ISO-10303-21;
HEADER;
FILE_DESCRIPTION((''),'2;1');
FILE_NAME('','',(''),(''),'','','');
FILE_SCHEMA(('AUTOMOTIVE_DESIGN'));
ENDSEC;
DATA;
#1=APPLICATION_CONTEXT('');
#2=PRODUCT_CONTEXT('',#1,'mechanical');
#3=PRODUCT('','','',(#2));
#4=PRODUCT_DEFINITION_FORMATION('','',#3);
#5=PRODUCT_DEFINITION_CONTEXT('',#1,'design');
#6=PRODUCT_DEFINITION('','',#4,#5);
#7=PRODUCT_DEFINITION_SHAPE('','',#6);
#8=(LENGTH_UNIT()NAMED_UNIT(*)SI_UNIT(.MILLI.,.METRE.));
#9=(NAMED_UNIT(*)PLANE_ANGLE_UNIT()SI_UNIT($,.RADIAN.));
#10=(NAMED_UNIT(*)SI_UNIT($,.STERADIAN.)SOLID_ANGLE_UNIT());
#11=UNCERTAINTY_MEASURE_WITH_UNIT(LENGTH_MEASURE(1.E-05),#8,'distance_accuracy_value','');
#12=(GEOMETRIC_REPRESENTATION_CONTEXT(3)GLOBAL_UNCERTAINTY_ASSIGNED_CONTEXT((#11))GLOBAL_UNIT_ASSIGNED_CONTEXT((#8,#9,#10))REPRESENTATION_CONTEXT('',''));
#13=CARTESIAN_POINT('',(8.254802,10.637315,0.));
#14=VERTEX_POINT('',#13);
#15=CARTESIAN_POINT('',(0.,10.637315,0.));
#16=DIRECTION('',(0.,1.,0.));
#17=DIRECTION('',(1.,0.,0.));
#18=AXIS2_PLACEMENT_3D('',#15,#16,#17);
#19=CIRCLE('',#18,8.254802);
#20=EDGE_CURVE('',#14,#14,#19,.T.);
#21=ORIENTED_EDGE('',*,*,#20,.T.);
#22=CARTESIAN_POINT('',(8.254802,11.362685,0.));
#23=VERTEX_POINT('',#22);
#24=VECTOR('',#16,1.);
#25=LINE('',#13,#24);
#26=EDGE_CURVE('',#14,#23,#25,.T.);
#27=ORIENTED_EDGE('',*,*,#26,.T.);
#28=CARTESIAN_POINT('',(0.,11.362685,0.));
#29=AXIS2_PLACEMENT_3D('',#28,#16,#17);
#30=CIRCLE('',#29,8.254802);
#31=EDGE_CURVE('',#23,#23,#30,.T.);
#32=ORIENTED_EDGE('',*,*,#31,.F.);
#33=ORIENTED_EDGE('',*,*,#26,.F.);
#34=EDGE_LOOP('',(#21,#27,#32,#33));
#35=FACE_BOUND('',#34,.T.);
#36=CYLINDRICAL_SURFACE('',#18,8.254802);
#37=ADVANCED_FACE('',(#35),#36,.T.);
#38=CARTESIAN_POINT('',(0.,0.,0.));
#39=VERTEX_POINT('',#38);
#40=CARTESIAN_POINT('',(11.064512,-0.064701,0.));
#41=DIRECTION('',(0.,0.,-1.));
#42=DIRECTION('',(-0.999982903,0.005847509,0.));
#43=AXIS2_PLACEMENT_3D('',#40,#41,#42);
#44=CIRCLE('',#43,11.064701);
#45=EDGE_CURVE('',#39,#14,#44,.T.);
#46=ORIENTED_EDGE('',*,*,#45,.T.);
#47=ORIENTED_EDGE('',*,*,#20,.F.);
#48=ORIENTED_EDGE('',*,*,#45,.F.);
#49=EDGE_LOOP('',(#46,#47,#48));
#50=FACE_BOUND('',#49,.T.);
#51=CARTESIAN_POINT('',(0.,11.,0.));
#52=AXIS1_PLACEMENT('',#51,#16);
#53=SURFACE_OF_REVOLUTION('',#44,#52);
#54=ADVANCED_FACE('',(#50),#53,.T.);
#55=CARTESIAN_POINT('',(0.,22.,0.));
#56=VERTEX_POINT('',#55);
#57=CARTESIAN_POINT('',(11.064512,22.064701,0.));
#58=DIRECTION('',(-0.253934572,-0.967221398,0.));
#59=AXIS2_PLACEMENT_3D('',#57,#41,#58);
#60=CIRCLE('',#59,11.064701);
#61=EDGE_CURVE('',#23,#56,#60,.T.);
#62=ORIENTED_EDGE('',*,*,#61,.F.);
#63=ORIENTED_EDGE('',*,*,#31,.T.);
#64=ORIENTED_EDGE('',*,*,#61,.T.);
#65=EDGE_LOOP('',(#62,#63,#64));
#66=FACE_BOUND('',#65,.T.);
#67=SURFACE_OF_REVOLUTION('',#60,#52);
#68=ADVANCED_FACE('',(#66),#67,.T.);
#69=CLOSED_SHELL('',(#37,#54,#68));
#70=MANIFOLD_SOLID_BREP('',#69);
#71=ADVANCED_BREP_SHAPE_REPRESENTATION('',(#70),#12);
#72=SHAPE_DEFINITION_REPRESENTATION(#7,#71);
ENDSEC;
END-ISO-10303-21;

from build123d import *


with BuildPart() as f1:
    # F0 (on Top) → F1 (revolve)
    with BuildSketch(Plane.XY):
        with BuildLine():
            Line((0, 22), (0, 11))
            Line((0, 11), (8.254802, 11))
            Line((8.254802, 11), (8.254802, 11.362685))
            ThreePointArc((8.254802, 11.362685), (2.323138, 15.281192), (0, 22))
        make_face()
        with BuildLine():
            Line((0, 11), (0, 0))
            ThreePointArc((0, 0), (2.323138, 6.718808), (8.254802, 10.637315))
            Line((8.254802, 10.637315), (8.254802, 11))
            Line((8.254802, 11), (0, 11))
        make_face()
    revolve(axis=Axis((0, 11, 0), (0, 1, 0)))


solid = f1.part
